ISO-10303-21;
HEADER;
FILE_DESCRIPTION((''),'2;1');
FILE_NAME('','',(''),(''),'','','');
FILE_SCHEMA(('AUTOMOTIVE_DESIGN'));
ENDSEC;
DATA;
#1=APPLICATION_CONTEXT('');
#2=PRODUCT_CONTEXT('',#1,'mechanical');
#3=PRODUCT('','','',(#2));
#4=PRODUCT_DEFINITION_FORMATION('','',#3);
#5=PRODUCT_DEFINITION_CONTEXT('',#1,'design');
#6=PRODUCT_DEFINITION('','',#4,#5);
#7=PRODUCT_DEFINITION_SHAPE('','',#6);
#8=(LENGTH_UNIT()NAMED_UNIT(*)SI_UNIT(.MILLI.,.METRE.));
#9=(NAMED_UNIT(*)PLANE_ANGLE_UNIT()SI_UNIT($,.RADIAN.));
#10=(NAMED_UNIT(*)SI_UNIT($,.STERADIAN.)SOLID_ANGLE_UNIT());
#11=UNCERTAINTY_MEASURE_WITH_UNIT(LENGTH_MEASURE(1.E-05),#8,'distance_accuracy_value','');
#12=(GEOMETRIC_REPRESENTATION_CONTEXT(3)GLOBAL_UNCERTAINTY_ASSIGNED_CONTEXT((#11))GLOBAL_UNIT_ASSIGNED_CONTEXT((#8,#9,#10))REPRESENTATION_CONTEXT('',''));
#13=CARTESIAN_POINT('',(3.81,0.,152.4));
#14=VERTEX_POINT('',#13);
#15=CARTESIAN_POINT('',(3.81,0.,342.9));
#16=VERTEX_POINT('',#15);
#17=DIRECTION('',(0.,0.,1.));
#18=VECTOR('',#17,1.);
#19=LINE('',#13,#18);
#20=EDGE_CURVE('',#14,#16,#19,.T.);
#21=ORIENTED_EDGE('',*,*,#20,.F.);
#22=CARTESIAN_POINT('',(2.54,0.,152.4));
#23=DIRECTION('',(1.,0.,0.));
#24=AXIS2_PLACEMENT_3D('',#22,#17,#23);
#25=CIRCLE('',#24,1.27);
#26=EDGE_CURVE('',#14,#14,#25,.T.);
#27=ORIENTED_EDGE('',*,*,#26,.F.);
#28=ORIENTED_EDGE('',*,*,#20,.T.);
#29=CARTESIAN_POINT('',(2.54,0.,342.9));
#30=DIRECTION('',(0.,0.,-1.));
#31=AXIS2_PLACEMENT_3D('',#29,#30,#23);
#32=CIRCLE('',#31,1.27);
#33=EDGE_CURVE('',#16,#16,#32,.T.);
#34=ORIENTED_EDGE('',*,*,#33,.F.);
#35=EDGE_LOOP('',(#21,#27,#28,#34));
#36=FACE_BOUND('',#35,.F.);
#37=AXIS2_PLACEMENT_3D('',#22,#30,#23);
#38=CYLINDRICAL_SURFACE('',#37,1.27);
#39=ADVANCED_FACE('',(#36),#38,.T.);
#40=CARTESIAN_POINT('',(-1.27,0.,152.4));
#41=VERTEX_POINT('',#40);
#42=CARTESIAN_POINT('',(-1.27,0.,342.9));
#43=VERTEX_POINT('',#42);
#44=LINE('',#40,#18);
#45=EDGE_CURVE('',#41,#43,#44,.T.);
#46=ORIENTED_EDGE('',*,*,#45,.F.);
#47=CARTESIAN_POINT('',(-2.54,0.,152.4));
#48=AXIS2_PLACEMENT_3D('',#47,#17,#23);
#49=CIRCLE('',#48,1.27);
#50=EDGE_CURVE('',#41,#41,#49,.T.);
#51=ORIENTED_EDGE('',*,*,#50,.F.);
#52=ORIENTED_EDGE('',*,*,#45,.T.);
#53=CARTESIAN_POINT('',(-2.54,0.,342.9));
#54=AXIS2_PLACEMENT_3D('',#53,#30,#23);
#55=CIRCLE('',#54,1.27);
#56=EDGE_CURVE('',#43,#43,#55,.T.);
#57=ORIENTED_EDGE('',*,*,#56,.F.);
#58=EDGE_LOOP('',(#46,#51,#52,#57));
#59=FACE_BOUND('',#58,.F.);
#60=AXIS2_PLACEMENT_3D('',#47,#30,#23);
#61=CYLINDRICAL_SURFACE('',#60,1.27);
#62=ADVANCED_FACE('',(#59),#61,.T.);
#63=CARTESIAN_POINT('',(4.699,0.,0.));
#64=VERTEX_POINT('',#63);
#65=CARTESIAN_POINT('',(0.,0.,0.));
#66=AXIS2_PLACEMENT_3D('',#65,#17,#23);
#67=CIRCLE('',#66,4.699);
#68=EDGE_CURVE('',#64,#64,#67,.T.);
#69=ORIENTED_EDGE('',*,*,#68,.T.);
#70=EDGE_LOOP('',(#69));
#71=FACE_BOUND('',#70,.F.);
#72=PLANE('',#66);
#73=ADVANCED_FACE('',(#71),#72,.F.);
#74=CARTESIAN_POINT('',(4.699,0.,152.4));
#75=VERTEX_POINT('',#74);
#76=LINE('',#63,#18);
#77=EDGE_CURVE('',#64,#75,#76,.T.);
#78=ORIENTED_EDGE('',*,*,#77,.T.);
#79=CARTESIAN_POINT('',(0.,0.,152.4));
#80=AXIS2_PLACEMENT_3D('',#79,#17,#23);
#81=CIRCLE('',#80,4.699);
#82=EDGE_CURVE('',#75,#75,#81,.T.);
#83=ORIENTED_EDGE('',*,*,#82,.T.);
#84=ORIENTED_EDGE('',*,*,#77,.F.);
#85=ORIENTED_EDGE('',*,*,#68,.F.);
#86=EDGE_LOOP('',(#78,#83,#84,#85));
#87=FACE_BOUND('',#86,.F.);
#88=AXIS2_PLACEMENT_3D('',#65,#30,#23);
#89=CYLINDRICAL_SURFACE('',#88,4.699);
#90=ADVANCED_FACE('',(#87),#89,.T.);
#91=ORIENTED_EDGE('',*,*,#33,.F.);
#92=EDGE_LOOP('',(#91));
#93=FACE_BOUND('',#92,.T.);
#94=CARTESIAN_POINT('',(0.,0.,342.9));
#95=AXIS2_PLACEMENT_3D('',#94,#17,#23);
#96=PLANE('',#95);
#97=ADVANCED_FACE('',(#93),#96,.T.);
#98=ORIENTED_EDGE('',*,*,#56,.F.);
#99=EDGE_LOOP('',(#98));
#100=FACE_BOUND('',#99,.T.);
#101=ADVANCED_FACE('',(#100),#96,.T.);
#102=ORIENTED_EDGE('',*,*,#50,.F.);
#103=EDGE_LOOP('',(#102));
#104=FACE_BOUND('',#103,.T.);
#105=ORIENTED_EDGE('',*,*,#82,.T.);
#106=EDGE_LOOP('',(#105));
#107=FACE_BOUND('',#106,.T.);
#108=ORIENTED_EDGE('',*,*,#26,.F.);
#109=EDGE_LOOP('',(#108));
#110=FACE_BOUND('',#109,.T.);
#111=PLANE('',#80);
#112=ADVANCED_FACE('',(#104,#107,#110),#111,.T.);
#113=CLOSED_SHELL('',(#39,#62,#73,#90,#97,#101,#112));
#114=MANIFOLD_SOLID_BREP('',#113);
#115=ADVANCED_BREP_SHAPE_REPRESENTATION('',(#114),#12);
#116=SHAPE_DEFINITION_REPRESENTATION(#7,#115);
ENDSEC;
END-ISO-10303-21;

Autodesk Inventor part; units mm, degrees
ref_plane "YZ Plane" through (0, 0, 0) normal (1, 0, 0) x (0, 1, 0)
ref_plane "XZ Plane" through (0, 0, 0) normal (0, 1, 0) x (-1, 0, 0)
ref_plane "XY Plane" through (0, 0, 0) normal (0, 0, 1) x (1, 0, 0)
sketch "Sketch1" plane through (0, 0, 0) normal (0, 0, 1) x (1, 0, 0)
  circle A0 centre (0, 0) radius 4.699
  dimension "d0" = 9.398
extrude "Extrusion1" add sketch "Sketch1" along normal blind 152.4
sketch "Sketch2" plane through (0, 0, 152.4) normal (0, 0, 1) x (1, 0, 0)
  circle A0 centre (0, 0) radius 4.699 construction
  line L0 (-4.699, 0) -> (4.699, 0)
  circle A1 centre (2.54, 0) radius 1.27
  circle A2 centre (-2.54, 0) radius 1.27
  dimension "d3" = 2.54
  dimension "d4" = 2.54
  dimension "d5" = 2.54
  dimension "d6" = 2.54
extrude "Extrusion2" add sketch "Sketch2" along normal blind 190.5
equation "\"d3\" = d4"
equation "\"d6\" = d5"
properties part number "3618K448"
